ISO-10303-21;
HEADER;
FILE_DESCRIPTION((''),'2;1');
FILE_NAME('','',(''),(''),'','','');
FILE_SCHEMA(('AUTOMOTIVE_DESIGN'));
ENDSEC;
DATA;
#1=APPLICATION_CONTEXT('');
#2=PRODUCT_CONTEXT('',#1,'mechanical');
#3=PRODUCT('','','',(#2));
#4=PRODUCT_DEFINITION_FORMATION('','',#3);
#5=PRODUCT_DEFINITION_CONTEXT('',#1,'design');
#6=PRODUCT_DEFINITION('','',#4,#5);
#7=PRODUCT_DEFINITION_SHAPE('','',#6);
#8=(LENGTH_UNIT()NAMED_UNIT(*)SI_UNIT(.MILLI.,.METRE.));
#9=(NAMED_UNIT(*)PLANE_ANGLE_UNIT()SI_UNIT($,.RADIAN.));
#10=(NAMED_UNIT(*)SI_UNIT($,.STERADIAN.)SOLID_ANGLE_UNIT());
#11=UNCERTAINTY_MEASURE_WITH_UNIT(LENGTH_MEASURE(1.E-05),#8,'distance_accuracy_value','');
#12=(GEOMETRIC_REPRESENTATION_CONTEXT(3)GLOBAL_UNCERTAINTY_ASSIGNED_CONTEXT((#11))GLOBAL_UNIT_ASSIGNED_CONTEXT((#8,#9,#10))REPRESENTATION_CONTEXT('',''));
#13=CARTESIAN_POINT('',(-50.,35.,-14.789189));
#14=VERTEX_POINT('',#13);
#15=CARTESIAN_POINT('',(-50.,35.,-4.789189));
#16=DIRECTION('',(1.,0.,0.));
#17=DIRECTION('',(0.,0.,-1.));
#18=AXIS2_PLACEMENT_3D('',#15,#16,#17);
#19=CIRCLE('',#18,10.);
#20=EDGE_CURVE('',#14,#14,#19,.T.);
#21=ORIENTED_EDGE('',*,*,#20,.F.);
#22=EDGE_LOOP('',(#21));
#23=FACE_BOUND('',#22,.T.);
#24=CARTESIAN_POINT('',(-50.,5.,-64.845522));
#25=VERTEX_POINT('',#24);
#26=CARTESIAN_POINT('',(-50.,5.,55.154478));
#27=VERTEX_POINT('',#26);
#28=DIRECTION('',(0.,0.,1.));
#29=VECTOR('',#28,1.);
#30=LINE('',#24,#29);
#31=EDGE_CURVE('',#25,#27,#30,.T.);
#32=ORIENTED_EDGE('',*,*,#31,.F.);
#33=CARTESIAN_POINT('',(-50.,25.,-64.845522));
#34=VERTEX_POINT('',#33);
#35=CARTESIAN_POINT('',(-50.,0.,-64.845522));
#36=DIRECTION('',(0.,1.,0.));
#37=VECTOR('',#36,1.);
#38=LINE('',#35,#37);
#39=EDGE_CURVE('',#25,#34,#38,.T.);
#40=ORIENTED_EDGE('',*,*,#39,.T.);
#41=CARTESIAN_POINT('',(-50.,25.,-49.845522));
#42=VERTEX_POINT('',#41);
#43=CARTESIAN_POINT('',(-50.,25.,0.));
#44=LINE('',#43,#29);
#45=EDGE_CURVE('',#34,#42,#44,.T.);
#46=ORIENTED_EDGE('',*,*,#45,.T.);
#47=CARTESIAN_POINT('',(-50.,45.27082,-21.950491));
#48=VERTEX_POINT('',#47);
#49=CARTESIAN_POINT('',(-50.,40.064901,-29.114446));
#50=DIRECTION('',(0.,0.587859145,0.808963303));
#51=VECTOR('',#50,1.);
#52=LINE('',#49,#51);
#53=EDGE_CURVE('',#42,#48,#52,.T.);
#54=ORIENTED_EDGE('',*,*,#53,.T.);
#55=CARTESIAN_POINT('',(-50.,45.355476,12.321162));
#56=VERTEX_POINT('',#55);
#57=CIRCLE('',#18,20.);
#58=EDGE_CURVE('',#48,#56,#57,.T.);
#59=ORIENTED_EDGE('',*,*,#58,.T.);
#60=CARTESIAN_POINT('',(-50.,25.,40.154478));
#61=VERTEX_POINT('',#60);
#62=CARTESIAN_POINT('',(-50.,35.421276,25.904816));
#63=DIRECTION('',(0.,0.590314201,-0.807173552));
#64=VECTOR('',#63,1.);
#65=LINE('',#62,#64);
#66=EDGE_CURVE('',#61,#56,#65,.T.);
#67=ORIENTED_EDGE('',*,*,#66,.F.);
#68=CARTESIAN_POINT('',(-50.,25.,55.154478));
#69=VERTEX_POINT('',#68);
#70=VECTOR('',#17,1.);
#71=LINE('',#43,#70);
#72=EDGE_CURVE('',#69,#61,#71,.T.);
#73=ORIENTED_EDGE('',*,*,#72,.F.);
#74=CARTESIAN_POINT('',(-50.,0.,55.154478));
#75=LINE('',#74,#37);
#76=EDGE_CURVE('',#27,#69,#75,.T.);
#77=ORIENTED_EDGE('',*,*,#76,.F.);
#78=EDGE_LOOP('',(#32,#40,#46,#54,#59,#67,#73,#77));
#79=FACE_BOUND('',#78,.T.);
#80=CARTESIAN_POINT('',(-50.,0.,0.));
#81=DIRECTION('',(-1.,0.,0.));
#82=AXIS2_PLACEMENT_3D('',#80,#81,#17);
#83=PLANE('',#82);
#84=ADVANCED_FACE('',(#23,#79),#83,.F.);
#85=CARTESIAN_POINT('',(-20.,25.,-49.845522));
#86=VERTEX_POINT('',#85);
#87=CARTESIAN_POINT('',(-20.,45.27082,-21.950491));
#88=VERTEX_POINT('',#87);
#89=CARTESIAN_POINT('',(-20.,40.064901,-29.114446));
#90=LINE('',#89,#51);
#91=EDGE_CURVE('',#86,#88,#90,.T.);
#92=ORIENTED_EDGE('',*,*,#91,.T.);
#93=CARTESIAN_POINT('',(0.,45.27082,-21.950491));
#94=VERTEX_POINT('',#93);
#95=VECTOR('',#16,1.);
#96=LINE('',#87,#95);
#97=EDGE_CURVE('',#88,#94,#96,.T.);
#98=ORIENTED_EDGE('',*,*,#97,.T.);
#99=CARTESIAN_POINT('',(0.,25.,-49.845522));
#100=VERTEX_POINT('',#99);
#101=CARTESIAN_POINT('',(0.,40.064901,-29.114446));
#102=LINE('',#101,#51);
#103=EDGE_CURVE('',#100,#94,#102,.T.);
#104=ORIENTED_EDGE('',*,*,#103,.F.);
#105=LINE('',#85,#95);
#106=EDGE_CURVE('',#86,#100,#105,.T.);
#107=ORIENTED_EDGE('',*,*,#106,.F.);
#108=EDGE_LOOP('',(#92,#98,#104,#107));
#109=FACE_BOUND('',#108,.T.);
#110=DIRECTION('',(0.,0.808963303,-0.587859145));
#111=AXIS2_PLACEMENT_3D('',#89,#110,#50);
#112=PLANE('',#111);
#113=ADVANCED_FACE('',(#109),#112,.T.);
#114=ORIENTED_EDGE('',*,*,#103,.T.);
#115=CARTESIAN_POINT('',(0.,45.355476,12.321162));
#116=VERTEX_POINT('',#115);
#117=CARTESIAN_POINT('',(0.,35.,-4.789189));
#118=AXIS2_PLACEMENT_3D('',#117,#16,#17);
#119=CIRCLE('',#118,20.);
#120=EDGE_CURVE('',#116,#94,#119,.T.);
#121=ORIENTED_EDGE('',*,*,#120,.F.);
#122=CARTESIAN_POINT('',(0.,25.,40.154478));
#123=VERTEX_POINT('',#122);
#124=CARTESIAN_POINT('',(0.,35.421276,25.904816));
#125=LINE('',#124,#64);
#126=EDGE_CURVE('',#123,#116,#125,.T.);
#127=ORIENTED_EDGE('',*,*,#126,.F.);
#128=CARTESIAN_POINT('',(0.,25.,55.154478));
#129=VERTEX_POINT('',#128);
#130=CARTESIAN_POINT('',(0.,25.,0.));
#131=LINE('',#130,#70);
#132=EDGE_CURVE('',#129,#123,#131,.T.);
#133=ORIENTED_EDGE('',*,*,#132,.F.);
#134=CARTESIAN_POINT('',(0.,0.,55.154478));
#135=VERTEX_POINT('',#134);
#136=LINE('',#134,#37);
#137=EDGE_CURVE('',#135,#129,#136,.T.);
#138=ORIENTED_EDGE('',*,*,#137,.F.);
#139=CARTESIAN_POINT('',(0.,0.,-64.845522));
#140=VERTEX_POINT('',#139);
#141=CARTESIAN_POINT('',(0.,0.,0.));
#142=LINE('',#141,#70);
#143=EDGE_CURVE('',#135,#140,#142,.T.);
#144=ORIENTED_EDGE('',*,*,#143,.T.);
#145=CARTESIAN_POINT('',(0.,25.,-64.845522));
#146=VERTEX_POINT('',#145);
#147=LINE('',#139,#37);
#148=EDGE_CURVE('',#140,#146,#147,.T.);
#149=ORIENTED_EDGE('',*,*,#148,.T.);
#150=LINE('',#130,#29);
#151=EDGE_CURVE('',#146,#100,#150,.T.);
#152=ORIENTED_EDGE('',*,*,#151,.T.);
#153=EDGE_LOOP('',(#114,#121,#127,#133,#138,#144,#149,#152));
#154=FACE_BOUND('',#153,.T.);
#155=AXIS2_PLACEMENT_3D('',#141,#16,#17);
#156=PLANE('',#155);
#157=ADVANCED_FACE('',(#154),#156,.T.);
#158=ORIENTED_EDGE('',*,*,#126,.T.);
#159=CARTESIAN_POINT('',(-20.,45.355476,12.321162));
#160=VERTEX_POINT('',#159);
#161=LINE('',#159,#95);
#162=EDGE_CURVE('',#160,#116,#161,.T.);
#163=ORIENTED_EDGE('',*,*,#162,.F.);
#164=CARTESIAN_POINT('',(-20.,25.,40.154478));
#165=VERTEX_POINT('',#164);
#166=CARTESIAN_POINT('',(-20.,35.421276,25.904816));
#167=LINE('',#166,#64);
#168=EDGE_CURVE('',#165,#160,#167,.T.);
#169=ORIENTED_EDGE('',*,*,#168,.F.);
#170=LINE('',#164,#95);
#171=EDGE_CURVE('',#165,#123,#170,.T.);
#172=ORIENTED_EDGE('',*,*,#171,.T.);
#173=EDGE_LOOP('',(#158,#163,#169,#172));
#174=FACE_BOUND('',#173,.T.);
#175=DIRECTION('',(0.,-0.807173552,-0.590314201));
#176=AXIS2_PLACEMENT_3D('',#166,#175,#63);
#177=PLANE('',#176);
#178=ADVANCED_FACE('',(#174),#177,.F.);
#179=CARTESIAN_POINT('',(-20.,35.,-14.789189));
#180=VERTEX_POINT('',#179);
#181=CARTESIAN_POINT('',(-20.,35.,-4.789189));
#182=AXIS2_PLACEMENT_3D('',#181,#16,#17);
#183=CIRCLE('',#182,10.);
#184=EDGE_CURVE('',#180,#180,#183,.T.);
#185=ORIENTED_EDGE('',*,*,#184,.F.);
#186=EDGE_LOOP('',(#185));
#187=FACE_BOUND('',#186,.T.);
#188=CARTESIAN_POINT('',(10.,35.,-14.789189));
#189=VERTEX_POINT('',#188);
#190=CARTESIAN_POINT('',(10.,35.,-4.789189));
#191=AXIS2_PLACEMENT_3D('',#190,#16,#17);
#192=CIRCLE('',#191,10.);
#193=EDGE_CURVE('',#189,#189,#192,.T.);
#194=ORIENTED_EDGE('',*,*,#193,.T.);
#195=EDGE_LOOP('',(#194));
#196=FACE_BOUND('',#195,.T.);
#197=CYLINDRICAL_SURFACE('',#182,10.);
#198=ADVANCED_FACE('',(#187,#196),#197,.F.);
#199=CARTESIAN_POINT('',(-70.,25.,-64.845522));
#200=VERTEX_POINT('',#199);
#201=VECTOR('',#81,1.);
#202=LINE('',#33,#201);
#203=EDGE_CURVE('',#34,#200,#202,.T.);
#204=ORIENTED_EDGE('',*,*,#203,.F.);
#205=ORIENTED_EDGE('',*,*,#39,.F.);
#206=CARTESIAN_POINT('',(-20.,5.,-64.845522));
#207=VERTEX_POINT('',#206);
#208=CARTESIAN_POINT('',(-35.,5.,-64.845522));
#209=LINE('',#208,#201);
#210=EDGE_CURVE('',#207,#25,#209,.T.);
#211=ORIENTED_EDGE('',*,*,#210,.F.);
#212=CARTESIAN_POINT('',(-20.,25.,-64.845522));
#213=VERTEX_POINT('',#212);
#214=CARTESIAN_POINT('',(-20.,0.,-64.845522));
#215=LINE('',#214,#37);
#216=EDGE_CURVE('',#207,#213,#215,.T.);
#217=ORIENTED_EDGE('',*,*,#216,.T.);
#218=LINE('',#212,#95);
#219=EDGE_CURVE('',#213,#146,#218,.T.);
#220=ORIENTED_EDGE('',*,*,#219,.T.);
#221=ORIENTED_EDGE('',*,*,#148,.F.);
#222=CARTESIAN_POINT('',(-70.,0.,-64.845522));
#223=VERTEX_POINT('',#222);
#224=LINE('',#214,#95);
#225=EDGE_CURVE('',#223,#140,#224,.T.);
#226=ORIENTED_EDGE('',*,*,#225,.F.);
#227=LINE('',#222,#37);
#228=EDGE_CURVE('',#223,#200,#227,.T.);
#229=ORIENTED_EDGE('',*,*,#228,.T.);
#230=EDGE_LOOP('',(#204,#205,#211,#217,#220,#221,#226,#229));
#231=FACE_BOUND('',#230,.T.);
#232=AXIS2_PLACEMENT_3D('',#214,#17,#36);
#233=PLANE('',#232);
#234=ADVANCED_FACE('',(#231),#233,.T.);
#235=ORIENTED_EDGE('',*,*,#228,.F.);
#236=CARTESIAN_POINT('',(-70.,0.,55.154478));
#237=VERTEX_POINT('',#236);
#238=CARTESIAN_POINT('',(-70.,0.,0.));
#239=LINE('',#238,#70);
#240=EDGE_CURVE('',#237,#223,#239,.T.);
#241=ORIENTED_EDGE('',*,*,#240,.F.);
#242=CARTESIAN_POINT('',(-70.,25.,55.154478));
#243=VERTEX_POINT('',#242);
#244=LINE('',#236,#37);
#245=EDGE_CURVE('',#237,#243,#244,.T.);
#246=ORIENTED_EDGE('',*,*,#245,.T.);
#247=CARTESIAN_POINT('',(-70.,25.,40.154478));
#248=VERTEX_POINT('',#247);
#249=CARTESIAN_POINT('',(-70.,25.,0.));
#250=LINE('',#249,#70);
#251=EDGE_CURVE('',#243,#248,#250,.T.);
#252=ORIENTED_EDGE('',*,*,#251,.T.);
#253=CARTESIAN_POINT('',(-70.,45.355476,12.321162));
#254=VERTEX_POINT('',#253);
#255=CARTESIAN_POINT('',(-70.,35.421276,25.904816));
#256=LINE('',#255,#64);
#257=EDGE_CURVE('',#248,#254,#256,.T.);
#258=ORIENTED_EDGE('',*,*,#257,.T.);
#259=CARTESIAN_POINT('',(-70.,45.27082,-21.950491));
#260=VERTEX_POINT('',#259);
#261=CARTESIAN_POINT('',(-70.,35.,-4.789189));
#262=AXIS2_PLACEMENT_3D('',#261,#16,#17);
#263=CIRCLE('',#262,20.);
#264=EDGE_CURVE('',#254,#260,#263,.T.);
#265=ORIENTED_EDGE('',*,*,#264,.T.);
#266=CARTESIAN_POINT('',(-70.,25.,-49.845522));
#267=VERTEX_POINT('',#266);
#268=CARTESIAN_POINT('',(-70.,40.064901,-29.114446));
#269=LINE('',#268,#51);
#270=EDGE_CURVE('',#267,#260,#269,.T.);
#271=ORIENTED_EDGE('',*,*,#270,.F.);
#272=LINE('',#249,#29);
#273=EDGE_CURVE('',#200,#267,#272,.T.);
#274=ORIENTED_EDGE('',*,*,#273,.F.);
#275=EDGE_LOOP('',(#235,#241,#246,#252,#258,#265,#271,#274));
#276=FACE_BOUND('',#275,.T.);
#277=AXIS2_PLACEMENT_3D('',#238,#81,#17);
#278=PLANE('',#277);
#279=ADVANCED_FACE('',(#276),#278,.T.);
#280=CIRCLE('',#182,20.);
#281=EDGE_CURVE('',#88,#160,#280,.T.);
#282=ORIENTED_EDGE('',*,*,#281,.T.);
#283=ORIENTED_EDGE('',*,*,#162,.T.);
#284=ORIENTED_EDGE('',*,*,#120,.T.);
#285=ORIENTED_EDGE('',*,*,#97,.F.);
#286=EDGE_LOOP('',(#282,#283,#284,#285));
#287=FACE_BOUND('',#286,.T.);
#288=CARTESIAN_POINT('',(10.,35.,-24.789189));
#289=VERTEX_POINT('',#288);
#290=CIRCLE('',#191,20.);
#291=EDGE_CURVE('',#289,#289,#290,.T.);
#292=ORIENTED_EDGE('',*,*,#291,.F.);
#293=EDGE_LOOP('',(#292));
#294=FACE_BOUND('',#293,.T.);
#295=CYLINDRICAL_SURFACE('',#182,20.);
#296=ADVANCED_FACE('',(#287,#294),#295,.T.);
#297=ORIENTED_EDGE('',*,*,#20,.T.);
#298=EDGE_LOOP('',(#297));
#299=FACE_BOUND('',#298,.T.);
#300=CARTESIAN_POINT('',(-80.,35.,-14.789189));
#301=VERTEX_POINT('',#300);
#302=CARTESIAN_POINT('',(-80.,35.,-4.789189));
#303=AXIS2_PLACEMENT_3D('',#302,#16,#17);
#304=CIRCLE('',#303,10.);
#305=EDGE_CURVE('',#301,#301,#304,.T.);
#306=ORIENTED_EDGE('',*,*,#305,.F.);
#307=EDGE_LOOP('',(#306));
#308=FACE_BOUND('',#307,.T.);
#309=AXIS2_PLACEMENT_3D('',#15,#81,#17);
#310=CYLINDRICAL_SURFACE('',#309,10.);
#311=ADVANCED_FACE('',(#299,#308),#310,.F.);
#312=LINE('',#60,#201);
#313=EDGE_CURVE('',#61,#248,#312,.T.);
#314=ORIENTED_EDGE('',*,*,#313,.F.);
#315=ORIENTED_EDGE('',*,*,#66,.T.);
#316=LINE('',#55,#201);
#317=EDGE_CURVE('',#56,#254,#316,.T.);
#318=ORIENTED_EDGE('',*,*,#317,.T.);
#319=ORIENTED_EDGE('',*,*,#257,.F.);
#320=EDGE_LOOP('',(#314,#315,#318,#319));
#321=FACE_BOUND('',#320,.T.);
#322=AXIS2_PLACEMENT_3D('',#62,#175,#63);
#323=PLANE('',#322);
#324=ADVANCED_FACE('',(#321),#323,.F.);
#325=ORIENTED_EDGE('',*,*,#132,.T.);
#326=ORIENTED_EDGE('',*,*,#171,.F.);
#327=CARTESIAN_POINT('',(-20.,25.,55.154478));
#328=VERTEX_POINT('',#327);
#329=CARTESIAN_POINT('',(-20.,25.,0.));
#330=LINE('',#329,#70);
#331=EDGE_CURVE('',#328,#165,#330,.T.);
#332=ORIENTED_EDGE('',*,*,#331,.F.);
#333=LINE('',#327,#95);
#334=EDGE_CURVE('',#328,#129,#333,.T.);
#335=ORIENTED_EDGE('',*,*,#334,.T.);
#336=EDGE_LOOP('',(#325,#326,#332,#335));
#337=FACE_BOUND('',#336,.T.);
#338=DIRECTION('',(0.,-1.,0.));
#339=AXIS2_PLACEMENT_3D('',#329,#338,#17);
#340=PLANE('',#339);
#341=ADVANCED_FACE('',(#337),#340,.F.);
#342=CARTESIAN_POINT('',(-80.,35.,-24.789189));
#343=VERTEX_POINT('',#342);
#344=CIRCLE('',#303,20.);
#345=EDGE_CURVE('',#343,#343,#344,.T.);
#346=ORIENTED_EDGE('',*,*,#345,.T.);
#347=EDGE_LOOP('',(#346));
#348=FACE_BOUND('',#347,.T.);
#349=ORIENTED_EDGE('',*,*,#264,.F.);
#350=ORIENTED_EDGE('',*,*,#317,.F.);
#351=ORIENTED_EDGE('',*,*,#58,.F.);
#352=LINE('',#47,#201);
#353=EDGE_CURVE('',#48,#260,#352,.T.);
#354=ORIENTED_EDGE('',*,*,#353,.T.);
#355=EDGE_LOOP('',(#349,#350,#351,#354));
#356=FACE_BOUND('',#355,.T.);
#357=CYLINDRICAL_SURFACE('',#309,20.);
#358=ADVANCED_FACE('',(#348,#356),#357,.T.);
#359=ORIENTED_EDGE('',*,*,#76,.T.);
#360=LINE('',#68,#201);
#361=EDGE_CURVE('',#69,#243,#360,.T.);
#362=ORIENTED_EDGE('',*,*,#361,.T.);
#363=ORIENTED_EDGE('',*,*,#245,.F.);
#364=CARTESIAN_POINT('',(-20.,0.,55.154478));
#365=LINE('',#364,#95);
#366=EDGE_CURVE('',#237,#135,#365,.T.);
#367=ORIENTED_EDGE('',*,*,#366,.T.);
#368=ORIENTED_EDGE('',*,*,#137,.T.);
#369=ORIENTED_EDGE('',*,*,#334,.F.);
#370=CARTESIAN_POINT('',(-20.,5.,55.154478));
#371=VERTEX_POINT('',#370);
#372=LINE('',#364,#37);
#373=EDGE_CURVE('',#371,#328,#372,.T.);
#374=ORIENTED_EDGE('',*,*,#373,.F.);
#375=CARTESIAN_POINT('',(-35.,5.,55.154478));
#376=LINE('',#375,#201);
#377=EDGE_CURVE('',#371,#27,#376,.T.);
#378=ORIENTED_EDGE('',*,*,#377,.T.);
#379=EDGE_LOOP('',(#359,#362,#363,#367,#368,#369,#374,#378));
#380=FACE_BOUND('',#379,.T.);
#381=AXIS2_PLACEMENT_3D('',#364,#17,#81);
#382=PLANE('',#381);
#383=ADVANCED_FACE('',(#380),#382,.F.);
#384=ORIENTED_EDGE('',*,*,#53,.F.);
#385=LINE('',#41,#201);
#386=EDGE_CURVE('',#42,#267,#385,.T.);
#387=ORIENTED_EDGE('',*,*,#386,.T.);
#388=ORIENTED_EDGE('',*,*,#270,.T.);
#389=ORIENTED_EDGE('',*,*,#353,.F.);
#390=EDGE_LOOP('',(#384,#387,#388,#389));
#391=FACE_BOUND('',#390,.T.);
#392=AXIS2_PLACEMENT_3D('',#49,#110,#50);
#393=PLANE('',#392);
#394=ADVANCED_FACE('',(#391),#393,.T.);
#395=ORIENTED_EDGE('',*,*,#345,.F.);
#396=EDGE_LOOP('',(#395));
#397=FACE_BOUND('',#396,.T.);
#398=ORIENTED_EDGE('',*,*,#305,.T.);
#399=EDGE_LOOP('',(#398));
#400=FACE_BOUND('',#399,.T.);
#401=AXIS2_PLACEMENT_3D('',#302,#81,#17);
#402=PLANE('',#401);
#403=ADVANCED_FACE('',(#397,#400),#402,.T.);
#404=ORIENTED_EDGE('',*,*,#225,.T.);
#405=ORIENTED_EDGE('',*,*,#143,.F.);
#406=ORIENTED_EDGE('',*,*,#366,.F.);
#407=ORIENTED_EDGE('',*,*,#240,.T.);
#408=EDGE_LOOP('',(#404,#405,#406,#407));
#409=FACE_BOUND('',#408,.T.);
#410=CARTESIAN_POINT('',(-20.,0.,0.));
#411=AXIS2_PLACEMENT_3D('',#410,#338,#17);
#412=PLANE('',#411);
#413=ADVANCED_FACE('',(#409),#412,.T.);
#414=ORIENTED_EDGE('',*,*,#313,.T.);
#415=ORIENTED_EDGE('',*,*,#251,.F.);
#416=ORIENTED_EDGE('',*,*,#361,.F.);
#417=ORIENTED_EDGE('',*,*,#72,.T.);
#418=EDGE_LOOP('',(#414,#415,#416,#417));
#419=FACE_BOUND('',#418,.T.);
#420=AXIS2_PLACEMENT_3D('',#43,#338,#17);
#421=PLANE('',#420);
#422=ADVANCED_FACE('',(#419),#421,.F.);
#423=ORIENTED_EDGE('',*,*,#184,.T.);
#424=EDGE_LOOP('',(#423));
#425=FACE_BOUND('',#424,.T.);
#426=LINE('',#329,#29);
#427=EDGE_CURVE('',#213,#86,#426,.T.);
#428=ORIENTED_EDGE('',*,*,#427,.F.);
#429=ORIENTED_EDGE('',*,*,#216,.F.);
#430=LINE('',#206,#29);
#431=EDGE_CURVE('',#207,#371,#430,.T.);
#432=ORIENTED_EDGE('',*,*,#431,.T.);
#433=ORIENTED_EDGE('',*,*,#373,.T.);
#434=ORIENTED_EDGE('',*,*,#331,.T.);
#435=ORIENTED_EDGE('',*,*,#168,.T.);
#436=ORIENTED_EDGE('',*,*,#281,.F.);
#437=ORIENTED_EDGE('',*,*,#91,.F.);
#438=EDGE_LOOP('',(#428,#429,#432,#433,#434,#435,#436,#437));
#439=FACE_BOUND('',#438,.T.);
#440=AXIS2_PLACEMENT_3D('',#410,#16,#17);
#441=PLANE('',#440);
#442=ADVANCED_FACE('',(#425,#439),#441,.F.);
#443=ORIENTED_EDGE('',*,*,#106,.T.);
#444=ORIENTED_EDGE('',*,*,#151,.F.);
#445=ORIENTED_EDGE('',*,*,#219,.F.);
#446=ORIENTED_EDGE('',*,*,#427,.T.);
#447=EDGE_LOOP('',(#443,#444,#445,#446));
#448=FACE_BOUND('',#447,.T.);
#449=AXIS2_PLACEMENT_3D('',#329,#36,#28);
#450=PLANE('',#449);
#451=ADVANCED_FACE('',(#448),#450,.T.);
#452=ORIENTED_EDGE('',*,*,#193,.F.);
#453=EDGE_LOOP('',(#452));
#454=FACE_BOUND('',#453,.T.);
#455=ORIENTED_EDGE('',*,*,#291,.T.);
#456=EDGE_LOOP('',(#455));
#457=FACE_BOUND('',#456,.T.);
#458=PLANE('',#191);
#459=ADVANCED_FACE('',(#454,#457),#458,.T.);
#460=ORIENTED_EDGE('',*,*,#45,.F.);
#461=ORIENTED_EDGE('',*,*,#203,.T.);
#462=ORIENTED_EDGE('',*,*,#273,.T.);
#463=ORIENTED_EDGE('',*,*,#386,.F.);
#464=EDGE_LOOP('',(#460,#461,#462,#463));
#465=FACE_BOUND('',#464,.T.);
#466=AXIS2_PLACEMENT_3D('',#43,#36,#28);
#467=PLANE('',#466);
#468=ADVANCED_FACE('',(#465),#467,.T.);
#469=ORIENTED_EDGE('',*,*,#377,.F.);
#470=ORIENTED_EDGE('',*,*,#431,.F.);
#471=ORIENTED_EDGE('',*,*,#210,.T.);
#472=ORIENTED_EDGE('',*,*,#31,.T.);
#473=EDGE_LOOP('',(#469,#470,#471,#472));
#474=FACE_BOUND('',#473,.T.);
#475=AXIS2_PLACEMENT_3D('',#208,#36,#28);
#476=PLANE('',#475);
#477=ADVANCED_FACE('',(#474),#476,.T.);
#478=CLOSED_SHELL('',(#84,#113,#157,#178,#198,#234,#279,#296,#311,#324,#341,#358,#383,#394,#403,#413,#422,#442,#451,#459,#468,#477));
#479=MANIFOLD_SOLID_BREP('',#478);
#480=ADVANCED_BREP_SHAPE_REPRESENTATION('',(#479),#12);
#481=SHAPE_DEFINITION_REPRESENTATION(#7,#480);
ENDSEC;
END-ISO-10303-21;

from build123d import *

# Parameters (mm, degrees)
SKETCH1_R           = 20
SKETCH1_R_2         = 10
BOSS_EXTRUDE2_DEPTH = 20
BOSS_EXTRUDE3_START = 10
SKETCH2_R           = 20
SKETCH2_R_2         = 10
BOSS_EXTRUDE3_DEPTH = 10
SKETCH3_W           = 15
SKETCH3_H           = 5
BOSS_EXTRUDE4_DEPTH = 120


with BuildPart() as part:
    # Sketch1 → Boss-Extrude2 (new body)
    # profile 1 of 2: a face of its own
    with BuildSketch(Plane(origin=(0, 0, 0), x_dir=(0, 0, -1), z_dir=(1, 0, 0))):
        with BuildLine():
            Line((-55.154478161, 25), (-55.154478161, 0))
            Line((-55.154478161, 0), (64.845521839, 0))
            Line((64.845521839, 0), (64.845521839, 25))
            Line((64.845521839, 25), (49.845521839, 25))
            Line((49.845521839, 25), (21.950490606, 45.270819657))
            ThreePointArc((21.950490606, 45.270819657), (24.06645602, 40.32794394), (24.789189269, 35))
            ThreePointArc((24.789189269, 35), (-0.58635613, 15.735952874), (-12.321161896, 45.35547599))
            Line((-12.321161896, 45.35547599), (-40.154478161, 25))
            Line((-40.154478161, 25), (-55.154478161, 25))
        make_face()
    # profile 2 of 2: a face of its own
    with BuildSketch(Plane(origin=(0, 0, 0), x_dir=(0, 0, -1), z_dir=(1, 0, 0))):
        with Locations((4.789189269, 35)):
            Circle(SKETCH1_R)
        with Locations((4.789189269, 35)):
            Circle(SKETCH1_R_2, mode=Mode.SUBTRACT)
    extrude(amount=-BOSS_EXTRUDE2_DEPTH)

    # Sketch2 → Boss-Extrude3 (add)
    with BuildSketch(Plane(origin=(0, 0, 0), x_dir=(0, 0, -1), z_dir=(1, 0, 0)).offset(BOSS_EXTRUDE3_START)):
        with Locations((4.789189269, 35)):
            Circle(SKETCH2_R)
        with Locations((4.789189269, 35)):
            Circle(SKETCH2_R_2, mode=Mode.SUBTRACT)
    extrude(amount=-BOSS_EXTRUDE3_DEPTH)

    # Sketch3 → Boss-Extrude4 (add)
    with BuildSketch(Plane.XY.offset(55.154478161)):
        with Locations((-27.5, 2.5)):
            Rectangle(SKETCH3_W, SKETCH3_H)
    extrude(amount=-BOSS_EXTRUDE4_DEPTH)

    # Mirror1: part across plane


with BuildPart() as part_1:
    add(part.part)
    add(part.part.mirror(Plane.ZY.offset(35)))


solid = part_1.part
